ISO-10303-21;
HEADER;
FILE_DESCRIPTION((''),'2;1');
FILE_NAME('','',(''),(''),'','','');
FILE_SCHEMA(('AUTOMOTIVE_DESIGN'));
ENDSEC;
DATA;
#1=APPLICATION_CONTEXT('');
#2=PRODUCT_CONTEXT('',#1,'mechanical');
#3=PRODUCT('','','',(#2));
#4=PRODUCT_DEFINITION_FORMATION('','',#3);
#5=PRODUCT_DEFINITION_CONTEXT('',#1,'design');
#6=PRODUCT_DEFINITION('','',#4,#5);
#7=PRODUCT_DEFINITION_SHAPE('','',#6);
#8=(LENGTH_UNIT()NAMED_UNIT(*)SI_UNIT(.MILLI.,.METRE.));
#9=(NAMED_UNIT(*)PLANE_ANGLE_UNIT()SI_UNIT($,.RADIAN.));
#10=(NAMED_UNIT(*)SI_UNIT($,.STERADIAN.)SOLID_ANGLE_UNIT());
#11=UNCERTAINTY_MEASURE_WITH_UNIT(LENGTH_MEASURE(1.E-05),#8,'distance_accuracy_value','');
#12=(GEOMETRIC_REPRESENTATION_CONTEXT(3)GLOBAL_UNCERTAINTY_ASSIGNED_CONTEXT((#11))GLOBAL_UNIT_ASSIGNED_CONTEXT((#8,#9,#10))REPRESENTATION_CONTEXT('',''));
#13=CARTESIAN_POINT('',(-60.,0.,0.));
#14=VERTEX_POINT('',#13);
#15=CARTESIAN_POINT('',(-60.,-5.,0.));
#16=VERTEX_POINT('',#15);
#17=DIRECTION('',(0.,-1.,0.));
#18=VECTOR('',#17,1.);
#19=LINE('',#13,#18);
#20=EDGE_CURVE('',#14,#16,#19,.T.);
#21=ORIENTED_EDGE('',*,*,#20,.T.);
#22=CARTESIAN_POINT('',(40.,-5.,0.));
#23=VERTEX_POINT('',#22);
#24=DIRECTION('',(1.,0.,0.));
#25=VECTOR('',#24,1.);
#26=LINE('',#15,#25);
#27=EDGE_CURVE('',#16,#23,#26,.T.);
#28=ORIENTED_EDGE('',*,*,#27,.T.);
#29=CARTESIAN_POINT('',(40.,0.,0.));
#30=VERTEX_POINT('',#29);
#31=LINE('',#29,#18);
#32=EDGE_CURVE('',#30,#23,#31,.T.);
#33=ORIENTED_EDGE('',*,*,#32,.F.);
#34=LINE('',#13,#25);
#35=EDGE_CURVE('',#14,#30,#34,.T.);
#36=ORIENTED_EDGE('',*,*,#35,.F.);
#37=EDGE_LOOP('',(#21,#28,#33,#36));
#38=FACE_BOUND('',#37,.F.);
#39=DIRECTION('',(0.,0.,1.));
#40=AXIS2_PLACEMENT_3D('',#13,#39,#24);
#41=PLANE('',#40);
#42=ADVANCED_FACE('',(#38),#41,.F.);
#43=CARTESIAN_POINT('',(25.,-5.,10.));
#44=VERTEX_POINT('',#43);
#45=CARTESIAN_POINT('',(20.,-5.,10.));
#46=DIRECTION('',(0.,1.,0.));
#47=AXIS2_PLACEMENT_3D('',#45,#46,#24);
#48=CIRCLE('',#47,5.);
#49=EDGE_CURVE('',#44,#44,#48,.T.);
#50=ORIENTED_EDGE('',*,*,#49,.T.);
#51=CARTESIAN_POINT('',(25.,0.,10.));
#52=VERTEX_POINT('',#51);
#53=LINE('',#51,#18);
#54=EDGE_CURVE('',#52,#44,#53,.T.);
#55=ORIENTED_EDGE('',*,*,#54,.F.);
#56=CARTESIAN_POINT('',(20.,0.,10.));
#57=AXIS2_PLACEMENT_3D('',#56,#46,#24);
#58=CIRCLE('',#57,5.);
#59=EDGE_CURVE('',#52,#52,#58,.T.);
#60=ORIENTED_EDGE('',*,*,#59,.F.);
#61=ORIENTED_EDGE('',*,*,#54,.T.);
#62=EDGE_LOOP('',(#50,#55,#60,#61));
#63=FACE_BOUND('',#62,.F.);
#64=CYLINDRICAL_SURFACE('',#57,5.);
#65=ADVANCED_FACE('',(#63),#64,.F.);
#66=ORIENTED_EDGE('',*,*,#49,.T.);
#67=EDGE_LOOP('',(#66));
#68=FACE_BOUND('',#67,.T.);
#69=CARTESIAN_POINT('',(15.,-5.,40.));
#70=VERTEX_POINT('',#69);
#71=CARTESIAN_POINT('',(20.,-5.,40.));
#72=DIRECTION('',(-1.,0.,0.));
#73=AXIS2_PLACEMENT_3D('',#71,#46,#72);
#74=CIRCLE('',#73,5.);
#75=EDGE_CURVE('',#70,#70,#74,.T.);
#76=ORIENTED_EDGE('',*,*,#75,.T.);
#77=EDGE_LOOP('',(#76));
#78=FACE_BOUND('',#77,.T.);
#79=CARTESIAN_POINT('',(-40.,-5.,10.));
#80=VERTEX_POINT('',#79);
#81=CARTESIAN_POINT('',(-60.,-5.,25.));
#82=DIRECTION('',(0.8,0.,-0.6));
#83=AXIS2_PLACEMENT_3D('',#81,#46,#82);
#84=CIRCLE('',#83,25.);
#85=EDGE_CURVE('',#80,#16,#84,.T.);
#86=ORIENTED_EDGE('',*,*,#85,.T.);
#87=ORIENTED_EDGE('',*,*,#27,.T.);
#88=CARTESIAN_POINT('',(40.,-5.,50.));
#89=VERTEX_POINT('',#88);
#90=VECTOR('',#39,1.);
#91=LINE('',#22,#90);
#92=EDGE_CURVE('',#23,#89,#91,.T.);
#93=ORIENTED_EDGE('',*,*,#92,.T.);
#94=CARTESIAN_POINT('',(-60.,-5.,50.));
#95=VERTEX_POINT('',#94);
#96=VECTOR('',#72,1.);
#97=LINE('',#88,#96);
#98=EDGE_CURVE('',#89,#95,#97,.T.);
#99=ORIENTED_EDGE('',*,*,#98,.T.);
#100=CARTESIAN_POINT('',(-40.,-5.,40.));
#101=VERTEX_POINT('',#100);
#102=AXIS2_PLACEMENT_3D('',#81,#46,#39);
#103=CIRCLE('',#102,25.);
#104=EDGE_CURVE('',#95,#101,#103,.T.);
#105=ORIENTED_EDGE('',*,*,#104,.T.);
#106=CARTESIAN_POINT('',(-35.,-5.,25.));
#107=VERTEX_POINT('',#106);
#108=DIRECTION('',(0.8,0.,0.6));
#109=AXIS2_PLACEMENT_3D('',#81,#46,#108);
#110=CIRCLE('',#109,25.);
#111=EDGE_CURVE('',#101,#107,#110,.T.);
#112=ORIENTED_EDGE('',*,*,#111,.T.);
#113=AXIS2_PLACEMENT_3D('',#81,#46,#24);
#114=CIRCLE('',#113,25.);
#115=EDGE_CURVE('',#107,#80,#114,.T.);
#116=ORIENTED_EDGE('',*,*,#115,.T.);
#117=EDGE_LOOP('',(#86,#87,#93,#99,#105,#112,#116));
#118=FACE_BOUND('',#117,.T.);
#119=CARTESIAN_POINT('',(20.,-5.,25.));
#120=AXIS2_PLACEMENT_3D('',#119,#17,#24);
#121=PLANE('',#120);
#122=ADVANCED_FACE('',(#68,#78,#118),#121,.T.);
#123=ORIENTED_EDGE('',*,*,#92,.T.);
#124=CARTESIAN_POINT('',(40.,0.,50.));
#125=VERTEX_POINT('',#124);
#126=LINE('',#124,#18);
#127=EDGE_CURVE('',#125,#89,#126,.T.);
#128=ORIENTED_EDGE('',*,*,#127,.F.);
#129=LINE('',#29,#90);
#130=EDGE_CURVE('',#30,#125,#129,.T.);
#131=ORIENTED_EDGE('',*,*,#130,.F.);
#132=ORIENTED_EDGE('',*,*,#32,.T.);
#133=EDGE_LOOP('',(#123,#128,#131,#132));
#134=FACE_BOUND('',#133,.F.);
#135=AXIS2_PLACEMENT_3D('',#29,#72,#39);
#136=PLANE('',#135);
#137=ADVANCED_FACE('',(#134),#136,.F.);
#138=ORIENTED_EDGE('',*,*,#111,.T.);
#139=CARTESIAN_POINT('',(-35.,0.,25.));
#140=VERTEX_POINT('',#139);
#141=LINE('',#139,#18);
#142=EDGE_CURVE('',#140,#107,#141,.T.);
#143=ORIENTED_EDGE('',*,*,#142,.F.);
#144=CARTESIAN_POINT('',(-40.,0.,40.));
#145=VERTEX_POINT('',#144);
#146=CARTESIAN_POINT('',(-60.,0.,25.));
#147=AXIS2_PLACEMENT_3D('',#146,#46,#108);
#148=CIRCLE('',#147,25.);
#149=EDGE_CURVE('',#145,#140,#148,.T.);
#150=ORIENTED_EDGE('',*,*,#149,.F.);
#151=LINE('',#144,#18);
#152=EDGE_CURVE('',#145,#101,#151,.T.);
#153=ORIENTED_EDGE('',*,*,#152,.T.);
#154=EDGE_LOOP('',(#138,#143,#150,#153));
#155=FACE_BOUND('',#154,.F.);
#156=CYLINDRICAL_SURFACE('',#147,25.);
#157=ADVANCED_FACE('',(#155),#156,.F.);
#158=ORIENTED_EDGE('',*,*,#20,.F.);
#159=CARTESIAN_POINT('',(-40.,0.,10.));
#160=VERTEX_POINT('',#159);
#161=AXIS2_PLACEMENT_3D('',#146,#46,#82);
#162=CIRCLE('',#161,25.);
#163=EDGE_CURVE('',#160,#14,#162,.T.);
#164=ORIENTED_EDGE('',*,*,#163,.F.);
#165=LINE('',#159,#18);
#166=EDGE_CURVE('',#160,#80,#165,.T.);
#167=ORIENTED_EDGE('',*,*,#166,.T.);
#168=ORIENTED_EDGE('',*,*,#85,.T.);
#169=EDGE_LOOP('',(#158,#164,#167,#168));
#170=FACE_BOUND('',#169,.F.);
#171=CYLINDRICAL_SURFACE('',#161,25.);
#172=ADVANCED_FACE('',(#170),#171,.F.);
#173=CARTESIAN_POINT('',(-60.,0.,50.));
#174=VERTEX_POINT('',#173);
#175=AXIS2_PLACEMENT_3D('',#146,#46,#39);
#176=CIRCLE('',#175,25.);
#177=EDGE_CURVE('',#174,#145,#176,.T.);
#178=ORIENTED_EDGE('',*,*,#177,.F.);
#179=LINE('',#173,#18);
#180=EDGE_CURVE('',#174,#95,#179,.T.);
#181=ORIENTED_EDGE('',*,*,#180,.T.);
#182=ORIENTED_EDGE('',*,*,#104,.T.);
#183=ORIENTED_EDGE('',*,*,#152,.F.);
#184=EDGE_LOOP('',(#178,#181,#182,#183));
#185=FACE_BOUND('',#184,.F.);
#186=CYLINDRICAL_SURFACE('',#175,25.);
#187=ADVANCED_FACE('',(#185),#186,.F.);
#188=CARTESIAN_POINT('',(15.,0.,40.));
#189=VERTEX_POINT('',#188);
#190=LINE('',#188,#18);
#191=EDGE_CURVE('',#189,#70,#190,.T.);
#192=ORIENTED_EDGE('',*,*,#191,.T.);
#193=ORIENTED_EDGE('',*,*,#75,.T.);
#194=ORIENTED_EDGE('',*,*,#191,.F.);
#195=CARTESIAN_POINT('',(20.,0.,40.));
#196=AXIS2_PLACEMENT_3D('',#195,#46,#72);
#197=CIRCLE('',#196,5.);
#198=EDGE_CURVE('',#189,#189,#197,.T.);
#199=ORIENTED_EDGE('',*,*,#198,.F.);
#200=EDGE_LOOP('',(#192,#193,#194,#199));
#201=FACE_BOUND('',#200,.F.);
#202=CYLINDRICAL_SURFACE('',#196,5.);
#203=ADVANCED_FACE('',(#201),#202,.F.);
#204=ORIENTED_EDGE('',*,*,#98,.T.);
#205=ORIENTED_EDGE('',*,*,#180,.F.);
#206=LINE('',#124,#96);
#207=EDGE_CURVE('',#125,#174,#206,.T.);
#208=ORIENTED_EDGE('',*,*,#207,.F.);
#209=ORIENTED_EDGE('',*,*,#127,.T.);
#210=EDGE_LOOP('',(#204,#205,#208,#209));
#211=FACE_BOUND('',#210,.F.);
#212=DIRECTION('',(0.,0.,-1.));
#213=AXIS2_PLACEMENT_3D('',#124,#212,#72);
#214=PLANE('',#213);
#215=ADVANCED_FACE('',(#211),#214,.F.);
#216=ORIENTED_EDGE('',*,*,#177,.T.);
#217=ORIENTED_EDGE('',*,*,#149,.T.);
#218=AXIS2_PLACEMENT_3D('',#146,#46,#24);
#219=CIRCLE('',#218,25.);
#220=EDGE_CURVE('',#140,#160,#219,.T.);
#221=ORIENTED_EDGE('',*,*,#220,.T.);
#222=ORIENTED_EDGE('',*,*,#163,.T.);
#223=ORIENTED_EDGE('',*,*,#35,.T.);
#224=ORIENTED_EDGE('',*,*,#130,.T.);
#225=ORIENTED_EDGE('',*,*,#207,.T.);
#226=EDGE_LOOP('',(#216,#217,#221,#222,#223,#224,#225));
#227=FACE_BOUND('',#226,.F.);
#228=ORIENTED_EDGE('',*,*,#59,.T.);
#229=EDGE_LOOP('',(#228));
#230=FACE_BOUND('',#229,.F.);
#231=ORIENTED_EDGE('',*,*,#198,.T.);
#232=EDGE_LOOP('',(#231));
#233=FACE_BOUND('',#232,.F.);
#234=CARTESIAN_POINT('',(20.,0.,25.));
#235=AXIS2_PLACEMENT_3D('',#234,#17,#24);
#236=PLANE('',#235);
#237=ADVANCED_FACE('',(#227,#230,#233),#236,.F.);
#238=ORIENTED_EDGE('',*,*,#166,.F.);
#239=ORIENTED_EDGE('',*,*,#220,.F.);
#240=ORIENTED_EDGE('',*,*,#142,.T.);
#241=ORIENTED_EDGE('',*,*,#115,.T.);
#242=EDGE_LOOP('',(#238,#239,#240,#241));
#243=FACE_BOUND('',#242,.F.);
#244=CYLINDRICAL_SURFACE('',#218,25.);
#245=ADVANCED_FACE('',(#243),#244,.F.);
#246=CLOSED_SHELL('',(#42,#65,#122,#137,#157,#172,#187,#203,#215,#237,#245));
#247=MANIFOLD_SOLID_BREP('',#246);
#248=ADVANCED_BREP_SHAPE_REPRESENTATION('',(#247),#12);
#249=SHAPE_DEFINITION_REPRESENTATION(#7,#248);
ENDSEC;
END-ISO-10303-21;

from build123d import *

# Parameters (mm, degrees)
F1_DEPTH = 5


with BuildPart() as f1:
    # F0 (on Front) → F1 (new body)
    with BuildSketch(Plane.XZ):
        with BuildLine():
            Line((0, 40), (0, 10))
            Line((0, 10), (15, 10))
            ThreePointArc((15, 10), (20, 15), (25, 10))
            Line((25, 10), (40, 10))
            Line((40, 10), (40, 40))
            Line((40, 40), (25, 40))
            ThreePointArc((25, 40), (20, 35), (15, 40))
            Line((15, 40), (0, 40))
        make_face()
        with BuildLine():
            Line((0, 50), (0, 40))
            Line((0, 40), (15, 40))
            ThreePointArc((15, 40), (20, 45), (25, 40))
            Line((25, 40), (40, 40))
            Line((40, 40), (40, 50))
            Line((40, 50), (0, 50))
        make_face()
        with BuildLine():
            Line((0, 10), (0, 0))
            Line((0, 0), (40, 0))
            Line((40, 0), (40, 10))
            Line((40, 10), (25, 10))
            ThreePointArc((25, 10), (20, 5), (15, 10))
            Line((15, 10), (0, 10))
        make_face()
        with BuildLine():
            Line((-40, 10), (0, 10))
            Line((0, 10), (0, 40))
            Line((0, 40), (-40, 40))
            ThreePointArc((-40, 40), (-36.2829175487, 32.9056941504), (-35, 25))
            ThreePointArc((-35, 25), (-36.2829175487, 17.0943058496), (-40, 10))
        make_face()
        with BuildLine():
            Line((-40, 40), (0, 40))
            Line((0, 40), (0, 50))
            Line((0, 50), (-60, 50))
            ThreePointArc((-60, 50), (-48.8196601125, 47.360679775), (-40, 40))
        make_face()
        with BuildLine():
            Line((-60, 0), (0, 0))
            Line((0, 0), (0, 10))
            Line((0, 10), (-40, 10))
            ThreePointArc((-40, 10), (-48.8196601125, 2.639320225), (-60, 0))
        make_face()
    extrude(amount=F1_DEPTH)


solid = f1.part
